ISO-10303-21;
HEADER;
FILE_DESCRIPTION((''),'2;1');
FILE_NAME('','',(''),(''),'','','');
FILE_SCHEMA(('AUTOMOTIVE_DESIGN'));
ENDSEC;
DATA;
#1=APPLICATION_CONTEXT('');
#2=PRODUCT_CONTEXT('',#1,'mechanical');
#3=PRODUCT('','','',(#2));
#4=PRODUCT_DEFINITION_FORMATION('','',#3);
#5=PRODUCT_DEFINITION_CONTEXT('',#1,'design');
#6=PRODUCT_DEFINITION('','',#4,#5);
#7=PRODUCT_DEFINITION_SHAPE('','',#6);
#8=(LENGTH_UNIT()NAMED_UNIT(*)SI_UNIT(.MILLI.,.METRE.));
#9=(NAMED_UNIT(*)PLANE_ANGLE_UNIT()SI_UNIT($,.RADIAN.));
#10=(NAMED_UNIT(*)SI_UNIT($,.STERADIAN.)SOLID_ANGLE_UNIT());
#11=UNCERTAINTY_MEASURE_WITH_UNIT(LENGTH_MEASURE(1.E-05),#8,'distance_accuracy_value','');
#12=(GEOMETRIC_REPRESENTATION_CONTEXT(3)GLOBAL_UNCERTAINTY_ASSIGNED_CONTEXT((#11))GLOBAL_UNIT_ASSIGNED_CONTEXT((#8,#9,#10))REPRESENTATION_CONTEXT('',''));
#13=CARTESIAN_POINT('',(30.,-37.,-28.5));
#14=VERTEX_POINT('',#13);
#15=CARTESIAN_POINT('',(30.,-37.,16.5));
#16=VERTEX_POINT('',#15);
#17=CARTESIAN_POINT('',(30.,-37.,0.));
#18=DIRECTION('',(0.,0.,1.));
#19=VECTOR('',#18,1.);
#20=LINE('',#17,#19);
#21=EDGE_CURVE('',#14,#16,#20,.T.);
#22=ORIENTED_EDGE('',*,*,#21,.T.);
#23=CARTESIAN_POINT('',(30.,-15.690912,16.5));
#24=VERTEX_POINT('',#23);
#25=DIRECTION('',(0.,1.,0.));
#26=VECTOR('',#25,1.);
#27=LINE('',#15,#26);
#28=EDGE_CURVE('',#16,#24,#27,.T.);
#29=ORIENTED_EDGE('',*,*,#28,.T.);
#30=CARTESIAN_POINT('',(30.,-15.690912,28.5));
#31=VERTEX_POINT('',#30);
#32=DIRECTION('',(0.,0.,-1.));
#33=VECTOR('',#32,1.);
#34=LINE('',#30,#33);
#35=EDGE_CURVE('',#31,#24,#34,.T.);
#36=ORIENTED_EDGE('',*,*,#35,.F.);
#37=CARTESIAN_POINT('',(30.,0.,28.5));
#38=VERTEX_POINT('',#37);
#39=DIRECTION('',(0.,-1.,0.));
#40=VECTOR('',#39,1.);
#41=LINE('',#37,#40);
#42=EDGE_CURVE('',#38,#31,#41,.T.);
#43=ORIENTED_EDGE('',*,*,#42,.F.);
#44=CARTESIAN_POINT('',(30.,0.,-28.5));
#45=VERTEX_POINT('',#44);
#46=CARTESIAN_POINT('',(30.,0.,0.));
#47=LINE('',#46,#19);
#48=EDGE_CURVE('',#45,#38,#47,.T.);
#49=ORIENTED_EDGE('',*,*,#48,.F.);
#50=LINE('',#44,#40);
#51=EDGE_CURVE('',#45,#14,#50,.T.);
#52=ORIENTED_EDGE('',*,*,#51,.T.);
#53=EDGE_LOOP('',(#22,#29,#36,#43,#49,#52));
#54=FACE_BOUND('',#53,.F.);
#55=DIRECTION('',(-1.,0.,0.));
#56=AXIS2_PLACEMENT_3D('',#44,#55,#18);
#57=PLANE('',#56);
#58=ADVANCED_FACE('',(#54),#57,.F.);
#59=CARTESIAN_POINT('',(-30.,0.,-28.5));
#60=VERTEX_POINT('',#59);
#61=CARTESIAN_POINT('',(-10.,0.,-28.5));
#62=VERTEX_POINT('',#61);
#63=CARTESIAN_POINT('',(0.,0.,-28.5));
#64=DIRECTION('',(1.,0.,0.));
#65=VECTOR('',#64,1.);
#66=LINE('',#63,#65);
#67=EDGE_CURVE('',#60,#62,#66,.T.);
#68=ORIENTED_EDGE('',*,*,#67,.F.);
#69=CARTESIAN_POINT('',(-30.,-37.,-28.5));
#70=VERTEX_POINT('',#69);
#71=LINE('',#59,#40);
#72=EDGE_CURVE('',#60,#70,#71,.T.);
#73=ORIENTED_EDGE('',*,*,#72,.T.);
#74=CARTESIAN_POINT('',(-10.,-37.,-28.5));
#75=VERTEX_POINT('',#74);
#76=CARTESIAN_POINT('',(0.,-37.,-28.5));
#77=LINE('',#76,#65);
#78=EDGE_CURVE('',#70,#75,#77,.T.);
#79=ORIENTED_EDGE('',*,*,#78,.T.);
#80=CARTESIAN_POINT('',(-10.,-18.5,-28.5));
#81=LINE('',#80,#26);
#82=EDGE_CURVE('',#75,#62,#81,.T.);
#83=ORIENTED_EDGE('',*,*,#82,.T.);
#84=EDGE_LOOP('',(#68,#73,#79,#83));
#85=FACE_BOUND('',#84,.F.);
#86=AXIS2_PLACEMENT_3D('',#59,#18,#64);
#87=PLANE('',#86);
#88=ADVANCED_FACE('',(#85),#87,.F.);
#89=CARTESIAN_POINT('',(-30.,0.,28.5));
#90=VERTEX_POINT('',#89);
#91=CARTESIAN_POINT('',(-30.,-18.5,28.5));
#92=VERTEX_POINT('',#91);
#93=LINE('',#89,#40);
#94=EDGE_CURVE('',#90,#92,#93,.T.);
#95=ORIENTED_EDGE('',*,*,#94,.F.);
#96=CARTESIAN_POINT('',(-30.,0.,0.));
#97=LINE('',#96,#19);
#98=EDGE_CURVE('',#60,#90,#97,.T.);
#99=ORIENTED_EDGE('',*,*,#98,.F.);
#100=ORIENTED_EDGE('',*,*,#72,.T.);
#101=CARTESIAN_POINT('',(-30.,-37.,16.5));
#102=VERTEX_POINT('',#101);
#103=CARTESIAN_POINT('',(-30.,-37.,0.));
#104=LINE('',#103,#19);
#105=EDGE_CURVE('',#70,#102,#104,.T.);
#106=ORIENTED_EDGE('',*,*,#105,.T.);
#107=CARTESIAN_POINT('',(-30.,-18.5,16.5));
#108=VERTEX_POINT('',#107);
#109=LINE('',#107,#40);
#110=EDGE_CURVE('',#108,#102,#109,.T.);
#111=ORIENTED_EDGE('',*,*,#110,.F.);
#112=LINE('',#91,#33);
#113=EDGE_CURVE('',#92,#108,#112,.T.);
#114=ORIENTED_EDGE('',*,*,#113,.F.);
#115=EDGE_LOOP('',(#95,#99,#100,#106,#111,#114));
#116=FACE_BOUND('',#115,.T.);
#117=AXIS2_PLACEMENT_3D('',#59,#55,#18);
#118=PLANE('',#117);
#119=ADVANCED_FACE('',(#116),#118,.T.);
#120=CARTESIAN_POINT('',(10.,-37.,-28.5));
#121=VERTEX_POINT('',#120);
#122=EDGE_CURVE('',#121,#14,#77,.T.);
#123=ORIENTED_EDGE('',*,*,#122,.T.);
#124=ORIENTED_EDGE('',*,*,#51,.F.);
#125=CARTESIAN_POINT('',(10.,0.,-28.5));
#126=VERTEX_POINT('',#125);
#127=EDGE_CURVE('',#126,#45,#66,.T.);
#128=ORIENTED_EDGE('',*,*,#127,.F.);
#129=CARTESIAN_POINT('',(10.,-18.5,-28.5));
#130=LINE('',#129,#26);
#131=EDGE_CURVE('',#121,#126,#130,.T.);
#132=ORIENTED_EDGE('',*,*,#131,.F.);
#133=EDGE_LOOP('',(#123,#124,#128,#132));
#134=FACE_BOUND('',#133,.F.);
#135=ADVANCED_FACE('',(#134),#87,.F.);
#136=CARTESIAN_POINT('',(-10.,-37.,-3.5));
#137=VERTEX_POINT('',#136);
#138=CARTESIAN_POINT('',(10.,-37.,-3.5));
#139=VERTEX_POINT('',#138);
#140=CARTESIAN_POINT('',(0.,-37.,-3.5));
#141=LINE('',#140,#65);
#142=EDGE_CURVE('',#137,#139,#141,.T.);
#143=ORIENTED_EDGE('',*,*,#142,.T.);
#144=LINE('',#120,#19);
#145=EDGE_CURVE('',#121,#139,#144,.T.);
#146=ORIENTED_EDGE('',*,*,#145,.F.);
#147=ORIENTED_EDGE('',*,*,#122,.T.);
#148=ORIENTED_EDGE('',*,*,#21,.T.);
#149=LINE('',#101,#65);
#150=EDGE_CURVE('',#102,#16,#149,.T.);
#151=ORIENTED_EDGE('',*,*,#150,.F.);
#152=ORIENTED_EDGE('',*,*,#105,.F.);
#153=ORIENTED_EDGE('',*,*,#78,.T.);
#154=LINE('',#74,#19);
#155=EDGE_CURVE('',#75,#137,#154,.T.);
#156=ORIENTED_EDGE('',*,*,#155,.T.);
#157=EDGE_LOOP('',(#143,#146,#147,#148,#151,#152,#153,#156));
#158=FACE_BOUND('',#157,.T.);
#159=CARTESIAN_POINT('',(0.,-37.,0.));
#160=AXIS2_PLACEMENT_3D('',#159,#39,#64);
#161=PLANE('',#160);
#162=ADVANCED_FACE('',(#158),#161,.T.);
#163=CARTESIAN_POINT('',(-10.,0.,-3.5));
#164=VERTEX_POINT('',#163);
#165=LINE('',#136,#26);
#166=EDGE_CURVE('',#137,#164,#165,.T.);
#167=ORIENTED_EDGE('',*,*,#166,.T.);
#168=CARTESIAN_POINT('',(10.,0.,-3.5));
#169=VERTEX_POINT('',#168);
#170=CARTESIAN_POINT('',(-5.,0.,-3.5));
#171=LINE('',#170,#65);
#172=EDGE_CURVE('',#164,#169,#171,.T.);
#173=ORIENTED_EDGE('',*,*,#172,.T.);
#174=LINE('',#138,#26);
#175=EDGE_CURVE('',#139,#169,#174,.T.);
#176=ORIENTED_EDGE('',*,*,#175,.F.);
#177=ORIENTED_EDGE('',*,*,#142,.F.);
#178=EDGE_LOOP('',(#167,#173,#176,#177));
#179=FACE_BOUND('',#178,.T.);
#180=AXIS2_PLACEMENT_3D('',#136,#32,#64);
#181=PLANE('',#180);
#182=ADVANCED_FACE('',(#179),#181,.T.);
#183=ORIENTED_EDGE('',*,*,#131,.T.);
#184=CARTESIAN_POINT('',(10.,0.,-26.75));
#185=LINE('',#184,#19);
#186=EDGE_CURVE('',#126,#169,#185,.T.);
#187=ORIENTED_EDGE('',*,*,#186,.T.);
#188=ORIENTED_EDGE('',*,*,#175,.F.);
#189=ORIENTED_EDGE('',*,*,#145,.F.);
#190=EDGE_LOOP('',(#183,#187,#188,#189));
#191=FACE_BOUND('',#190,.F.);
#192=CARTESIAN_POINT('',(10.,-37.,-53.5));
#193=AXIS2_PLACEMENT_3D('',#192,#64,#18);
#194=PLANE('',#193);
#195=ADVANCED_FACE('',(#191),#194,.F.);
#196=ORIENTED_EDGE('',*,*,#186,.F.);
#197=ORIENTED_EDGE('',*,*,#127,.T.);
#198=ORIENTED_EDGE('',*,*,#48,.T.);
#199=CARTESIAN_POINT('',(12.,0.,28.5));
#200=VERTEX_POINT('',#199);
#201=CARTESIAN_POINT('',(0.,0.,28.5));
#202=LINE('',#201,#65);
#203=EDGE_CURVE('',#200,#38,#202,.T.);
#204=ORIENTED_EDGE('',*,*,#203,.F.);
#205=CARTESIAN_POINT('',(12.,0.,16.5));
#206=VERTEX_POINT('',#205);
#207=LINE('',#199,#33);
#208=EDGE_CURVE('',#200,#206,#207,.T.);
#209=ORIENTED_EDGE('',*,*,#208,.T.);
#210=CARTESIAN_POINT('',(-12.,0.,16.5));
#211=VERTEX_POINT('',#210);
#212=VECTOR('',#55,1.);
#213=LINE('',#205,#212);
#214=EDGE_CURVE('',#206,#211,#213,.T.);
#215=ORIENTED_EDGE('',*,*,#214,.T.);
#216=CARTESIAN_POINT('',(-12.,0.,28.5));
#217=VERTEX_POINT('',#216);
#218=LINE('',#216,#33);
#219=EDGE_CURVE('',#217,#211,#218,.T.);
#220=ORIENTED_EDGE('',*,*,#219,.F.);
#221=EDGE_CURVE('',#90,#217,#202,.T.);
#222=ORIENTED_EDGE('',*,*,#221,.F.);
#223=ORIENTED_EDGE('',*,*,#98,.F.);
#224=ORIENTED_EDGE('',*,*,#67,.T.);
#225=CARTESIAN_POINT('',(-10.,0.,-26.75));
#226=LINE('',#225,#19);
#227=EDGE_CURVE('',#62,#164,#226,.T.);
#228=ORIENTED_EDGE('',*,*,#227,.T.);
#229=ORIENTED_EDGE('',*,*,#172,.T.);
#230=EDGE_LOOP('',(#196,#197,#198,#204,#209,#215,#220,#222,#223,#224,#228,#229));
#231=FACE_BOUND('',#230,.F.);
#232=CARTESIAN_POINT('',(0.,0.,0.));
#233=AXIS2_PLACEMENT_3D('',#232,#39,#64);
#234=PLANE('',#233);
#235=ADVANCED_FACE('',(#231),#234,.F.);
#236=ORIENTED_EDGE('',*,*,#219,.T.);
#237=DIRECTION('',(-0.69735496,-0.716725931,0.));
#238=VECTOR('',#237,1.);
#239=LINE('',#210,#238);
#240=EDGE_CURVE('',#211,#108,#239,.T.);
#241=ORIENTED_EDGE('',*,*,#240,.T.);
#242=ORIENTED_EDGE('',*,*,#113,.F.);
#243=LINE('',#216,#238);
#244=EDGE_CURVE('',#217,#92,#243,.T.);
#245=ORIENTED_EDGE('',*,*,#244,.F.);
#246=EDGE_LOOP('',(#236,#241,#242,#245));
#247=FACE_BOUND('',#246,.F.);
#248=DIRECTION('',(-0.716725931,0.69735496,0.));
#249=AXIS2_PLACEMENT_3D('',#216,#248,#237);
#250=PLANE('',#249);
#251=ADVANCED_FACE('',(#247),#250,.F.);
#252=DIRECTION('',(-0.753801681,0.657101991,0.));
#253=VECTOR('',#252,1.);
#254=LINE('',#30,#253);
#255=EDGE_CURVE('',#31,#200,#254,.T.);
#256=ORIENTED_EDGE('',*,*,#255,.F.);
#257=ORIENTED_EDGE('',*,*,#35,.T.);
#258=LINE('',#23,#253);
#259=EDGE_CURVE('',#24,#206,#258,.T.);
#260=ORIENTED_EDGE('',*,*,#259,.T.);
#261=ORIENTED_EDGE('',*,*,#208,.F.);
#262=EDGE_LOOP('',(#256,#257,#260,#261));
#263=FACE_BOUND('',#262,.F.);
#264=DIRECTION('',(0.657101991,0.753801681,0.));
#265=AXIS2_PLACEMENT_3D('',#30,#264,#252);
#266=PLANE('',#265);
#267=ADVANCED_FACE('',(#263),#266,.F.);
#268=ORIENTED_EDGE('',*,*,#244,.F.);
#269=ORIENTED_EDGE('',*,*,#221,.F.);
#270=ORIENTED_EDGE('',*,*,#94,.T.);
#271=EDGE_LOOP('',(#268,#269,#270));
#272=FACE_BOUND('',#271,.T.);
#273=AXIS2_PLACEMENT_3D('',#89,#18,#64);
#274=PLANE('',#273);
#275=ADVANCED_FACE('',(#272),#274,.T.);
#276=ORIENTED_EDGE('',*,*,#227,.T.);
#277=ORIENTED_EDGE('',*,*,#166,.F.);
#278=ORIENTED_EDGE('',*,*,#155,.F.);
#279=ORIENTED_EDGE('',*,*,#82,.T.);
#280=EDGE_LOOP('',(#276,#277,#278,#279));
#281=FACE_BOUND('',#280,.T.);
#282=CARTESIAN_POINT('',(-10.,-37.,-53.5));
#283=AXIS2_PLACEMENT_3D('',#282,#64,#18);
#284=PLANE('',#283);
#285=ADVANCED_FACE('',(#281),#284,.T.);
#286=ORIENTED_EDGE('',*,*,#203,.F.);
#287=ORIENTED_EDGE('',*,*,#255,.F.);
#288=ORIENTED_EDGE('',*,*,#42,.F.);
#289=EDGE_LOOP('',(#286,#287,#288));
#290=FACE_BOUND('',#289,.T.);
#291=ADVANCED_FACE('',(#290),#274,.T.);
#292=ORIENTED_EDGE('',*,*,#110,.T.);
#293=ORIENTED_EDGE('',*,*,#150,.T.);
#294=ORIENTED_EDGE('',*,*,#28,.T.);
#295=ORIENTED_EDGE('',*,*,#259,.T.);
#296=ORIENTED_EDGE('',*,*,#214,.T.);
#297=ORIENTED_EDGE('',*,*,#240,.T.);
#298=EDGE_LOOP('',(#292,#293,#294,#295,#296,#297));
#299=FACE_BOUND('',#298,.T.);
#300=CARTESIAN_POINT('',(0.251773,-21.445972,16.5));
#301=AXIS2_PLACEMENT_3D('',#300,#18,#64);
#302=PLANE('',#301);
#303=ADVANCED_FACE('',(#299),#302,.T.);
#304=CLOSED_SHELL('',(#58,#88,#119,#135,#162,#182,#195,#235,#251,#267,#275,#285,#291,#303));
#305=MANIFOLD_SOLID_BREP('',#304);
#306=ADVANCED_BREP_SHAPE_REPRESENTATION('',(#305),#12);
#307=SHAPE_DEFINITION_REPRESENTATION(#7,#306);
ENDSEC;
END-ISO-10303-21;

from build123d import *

# Parameters (mm, degrees)
F0_W     = 60
F0_H     = 57
F1_DEPTH = 37
F3_DEPTH = 12
F4_W     = 20
F4_H     = 50
F5_DEPTH = 37.001


with BuildPart() as f1:
    # F0 (on Front) → F1 (new body)
    with BuildSketch(Plane.XZ):
        Rectangle(F0_W, F0_H)
    extrude(amount=F1_DEPTH)

    # F2 (on face) → F3 (cut)
    with BuildSketch(Plane.XY.offset(28.5)):
        Polygon((12, 0), (-12, 0), (-30, -18.5), (-30, -37), (30, -37), (30, -15.690912), align=None)
    extrude(amount=-F3_DEPTH, mode=Mode.SUBTRACT)

    # F4 (on face) → F5 (cut, through all)
    with BuildSketch(Plane.XZ.offset(37)):
        with Locations((0, -28.5)):
            Rectangle(F4_W, F4_H)
    extrude(amount=-F5_DEPTH, mode=Mode.SUBTRACT)


solid = f1.part
